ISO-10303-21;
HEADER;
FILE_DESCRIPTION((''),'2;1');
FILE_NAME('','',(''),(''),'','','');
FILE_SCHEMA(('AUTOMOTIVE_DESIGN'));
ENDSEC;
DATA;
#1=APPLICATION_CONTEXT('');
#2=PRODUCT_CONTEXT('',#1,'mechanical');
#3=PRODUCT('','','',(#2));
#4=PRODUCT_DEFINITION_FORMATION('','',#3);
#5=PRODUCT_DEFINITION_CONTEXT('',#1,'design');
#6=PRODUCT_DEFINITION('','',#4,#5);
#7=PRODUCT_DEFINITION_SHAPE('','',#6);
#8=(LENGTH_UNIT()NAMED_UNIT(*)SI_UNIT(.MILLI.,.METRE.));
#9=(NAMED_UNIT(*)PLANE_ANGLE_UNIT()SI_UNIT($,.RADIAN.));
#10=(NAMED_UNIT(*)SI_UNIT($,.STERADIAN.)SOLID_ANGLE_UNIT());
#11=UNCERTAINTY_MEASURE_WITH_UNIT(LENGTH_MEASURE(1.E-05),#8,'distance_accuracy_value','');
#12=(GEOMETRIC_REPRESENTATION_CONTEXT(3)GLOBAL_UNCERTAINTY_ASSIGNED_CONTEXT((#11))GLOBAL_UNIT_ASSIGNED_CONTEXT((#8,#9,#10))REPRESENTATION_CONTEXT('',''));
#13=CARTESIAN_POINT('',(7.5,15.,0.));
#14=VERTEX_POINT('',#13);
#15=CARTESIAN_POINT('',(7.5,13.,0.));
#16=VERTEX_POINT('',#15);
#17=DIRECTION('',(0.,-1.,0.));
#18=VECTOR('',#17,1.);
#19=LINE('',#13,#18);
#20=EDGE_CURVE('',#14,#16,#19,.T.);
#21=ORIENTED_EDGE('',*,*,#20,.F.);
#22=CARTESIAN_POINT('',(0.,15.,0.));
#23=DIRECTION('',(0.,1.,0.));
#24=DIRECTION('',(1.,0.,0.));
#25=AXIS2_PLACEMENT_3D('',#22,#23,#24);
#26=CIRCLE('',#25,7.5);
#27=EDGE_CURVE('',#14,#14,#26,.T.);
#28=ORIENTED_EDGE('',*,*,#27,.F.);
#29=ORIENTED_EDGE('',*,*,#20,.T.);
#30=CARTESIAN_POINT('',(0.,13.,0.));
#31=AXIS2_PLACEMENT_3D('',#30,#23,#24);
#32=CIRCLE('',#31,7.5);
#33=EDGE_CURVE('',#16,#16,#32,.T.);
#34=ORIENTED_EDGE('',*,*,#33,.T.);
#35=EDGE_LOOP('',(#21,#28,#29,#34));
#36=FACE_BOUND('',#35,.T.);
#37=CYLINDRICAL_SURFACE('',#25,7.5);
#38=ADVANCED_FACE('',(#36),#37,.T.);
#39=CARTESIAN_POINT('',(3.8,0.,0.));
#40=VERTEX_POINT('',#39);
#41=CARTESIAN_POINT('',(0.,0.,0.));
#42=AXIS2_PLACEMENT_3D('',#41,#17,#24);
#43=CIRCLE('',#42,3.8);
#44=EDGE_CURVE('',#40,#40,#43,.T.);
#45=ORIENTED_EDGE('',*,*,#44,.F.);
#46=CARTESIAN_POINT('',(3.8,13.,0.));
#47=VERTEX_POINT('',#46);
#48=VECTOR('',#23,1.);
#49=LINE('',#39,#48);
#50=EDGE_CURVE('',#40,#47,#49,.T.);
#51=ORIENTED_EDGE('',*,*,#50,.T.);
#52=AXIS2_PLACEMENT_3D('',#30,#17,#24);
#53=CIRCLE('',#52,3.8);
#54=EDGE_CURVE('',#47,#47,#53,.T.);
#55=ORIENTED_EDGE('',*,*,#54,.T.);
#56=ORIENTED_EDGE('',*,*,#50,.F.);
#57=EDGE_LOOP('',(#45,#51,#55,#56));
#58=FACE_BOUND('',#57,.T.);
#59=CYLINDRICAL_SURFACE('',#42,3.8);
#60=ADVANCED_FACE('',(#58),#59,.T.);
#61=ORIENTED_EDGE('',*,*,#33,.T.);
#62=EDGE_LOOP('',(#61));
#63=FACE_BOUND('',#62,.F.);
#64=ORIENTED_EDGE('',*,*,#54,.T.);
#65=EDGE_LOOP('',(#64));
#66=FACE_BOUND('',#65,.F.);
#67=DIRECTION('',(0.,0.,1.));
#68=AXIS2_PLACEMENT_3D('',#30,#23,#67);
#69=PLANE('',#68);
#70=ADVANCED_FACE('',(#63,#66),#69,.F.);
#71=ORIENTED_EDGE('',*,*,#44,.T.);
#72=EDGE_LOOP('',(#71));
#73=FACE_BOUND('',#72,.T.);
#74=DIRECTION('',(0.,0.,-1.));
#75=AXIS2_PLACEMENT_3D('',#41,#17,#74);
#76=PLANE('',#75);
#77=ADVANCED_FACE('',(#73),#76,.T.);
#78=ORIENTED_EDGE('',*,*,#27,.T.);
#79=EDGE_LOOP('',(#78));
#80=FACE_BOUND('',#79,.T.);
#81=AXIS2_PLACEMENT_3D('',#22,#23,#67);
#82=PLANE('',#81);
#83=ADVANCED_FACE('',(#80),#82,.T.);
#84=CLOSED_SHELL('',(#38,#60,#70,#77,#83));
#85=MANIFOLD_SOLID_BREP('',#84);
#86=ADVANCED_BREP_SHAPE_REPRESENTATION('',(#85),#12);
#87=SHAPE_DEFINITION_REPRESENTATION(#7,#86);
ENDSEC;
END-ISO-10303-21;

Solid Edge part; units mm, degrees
sketch "Sketch1" plane through (0, 0, 0) normal (0, -1, 0) x (1, 0, 0)
  circle A0 centre (0, 0) radius 3.8
extrude "Protrusion1" add sketch "Sketch1" against normal blind 15
sketch "Sketch2" plane through (0, 15, 0) normal (0, 1, 0) x (1, 0, 0)
  circle A0 centre (0, 0) radius 7.5
extrude "ExtrudedProtrusion_2" add sketch "Sketch2" against normal blind 2
